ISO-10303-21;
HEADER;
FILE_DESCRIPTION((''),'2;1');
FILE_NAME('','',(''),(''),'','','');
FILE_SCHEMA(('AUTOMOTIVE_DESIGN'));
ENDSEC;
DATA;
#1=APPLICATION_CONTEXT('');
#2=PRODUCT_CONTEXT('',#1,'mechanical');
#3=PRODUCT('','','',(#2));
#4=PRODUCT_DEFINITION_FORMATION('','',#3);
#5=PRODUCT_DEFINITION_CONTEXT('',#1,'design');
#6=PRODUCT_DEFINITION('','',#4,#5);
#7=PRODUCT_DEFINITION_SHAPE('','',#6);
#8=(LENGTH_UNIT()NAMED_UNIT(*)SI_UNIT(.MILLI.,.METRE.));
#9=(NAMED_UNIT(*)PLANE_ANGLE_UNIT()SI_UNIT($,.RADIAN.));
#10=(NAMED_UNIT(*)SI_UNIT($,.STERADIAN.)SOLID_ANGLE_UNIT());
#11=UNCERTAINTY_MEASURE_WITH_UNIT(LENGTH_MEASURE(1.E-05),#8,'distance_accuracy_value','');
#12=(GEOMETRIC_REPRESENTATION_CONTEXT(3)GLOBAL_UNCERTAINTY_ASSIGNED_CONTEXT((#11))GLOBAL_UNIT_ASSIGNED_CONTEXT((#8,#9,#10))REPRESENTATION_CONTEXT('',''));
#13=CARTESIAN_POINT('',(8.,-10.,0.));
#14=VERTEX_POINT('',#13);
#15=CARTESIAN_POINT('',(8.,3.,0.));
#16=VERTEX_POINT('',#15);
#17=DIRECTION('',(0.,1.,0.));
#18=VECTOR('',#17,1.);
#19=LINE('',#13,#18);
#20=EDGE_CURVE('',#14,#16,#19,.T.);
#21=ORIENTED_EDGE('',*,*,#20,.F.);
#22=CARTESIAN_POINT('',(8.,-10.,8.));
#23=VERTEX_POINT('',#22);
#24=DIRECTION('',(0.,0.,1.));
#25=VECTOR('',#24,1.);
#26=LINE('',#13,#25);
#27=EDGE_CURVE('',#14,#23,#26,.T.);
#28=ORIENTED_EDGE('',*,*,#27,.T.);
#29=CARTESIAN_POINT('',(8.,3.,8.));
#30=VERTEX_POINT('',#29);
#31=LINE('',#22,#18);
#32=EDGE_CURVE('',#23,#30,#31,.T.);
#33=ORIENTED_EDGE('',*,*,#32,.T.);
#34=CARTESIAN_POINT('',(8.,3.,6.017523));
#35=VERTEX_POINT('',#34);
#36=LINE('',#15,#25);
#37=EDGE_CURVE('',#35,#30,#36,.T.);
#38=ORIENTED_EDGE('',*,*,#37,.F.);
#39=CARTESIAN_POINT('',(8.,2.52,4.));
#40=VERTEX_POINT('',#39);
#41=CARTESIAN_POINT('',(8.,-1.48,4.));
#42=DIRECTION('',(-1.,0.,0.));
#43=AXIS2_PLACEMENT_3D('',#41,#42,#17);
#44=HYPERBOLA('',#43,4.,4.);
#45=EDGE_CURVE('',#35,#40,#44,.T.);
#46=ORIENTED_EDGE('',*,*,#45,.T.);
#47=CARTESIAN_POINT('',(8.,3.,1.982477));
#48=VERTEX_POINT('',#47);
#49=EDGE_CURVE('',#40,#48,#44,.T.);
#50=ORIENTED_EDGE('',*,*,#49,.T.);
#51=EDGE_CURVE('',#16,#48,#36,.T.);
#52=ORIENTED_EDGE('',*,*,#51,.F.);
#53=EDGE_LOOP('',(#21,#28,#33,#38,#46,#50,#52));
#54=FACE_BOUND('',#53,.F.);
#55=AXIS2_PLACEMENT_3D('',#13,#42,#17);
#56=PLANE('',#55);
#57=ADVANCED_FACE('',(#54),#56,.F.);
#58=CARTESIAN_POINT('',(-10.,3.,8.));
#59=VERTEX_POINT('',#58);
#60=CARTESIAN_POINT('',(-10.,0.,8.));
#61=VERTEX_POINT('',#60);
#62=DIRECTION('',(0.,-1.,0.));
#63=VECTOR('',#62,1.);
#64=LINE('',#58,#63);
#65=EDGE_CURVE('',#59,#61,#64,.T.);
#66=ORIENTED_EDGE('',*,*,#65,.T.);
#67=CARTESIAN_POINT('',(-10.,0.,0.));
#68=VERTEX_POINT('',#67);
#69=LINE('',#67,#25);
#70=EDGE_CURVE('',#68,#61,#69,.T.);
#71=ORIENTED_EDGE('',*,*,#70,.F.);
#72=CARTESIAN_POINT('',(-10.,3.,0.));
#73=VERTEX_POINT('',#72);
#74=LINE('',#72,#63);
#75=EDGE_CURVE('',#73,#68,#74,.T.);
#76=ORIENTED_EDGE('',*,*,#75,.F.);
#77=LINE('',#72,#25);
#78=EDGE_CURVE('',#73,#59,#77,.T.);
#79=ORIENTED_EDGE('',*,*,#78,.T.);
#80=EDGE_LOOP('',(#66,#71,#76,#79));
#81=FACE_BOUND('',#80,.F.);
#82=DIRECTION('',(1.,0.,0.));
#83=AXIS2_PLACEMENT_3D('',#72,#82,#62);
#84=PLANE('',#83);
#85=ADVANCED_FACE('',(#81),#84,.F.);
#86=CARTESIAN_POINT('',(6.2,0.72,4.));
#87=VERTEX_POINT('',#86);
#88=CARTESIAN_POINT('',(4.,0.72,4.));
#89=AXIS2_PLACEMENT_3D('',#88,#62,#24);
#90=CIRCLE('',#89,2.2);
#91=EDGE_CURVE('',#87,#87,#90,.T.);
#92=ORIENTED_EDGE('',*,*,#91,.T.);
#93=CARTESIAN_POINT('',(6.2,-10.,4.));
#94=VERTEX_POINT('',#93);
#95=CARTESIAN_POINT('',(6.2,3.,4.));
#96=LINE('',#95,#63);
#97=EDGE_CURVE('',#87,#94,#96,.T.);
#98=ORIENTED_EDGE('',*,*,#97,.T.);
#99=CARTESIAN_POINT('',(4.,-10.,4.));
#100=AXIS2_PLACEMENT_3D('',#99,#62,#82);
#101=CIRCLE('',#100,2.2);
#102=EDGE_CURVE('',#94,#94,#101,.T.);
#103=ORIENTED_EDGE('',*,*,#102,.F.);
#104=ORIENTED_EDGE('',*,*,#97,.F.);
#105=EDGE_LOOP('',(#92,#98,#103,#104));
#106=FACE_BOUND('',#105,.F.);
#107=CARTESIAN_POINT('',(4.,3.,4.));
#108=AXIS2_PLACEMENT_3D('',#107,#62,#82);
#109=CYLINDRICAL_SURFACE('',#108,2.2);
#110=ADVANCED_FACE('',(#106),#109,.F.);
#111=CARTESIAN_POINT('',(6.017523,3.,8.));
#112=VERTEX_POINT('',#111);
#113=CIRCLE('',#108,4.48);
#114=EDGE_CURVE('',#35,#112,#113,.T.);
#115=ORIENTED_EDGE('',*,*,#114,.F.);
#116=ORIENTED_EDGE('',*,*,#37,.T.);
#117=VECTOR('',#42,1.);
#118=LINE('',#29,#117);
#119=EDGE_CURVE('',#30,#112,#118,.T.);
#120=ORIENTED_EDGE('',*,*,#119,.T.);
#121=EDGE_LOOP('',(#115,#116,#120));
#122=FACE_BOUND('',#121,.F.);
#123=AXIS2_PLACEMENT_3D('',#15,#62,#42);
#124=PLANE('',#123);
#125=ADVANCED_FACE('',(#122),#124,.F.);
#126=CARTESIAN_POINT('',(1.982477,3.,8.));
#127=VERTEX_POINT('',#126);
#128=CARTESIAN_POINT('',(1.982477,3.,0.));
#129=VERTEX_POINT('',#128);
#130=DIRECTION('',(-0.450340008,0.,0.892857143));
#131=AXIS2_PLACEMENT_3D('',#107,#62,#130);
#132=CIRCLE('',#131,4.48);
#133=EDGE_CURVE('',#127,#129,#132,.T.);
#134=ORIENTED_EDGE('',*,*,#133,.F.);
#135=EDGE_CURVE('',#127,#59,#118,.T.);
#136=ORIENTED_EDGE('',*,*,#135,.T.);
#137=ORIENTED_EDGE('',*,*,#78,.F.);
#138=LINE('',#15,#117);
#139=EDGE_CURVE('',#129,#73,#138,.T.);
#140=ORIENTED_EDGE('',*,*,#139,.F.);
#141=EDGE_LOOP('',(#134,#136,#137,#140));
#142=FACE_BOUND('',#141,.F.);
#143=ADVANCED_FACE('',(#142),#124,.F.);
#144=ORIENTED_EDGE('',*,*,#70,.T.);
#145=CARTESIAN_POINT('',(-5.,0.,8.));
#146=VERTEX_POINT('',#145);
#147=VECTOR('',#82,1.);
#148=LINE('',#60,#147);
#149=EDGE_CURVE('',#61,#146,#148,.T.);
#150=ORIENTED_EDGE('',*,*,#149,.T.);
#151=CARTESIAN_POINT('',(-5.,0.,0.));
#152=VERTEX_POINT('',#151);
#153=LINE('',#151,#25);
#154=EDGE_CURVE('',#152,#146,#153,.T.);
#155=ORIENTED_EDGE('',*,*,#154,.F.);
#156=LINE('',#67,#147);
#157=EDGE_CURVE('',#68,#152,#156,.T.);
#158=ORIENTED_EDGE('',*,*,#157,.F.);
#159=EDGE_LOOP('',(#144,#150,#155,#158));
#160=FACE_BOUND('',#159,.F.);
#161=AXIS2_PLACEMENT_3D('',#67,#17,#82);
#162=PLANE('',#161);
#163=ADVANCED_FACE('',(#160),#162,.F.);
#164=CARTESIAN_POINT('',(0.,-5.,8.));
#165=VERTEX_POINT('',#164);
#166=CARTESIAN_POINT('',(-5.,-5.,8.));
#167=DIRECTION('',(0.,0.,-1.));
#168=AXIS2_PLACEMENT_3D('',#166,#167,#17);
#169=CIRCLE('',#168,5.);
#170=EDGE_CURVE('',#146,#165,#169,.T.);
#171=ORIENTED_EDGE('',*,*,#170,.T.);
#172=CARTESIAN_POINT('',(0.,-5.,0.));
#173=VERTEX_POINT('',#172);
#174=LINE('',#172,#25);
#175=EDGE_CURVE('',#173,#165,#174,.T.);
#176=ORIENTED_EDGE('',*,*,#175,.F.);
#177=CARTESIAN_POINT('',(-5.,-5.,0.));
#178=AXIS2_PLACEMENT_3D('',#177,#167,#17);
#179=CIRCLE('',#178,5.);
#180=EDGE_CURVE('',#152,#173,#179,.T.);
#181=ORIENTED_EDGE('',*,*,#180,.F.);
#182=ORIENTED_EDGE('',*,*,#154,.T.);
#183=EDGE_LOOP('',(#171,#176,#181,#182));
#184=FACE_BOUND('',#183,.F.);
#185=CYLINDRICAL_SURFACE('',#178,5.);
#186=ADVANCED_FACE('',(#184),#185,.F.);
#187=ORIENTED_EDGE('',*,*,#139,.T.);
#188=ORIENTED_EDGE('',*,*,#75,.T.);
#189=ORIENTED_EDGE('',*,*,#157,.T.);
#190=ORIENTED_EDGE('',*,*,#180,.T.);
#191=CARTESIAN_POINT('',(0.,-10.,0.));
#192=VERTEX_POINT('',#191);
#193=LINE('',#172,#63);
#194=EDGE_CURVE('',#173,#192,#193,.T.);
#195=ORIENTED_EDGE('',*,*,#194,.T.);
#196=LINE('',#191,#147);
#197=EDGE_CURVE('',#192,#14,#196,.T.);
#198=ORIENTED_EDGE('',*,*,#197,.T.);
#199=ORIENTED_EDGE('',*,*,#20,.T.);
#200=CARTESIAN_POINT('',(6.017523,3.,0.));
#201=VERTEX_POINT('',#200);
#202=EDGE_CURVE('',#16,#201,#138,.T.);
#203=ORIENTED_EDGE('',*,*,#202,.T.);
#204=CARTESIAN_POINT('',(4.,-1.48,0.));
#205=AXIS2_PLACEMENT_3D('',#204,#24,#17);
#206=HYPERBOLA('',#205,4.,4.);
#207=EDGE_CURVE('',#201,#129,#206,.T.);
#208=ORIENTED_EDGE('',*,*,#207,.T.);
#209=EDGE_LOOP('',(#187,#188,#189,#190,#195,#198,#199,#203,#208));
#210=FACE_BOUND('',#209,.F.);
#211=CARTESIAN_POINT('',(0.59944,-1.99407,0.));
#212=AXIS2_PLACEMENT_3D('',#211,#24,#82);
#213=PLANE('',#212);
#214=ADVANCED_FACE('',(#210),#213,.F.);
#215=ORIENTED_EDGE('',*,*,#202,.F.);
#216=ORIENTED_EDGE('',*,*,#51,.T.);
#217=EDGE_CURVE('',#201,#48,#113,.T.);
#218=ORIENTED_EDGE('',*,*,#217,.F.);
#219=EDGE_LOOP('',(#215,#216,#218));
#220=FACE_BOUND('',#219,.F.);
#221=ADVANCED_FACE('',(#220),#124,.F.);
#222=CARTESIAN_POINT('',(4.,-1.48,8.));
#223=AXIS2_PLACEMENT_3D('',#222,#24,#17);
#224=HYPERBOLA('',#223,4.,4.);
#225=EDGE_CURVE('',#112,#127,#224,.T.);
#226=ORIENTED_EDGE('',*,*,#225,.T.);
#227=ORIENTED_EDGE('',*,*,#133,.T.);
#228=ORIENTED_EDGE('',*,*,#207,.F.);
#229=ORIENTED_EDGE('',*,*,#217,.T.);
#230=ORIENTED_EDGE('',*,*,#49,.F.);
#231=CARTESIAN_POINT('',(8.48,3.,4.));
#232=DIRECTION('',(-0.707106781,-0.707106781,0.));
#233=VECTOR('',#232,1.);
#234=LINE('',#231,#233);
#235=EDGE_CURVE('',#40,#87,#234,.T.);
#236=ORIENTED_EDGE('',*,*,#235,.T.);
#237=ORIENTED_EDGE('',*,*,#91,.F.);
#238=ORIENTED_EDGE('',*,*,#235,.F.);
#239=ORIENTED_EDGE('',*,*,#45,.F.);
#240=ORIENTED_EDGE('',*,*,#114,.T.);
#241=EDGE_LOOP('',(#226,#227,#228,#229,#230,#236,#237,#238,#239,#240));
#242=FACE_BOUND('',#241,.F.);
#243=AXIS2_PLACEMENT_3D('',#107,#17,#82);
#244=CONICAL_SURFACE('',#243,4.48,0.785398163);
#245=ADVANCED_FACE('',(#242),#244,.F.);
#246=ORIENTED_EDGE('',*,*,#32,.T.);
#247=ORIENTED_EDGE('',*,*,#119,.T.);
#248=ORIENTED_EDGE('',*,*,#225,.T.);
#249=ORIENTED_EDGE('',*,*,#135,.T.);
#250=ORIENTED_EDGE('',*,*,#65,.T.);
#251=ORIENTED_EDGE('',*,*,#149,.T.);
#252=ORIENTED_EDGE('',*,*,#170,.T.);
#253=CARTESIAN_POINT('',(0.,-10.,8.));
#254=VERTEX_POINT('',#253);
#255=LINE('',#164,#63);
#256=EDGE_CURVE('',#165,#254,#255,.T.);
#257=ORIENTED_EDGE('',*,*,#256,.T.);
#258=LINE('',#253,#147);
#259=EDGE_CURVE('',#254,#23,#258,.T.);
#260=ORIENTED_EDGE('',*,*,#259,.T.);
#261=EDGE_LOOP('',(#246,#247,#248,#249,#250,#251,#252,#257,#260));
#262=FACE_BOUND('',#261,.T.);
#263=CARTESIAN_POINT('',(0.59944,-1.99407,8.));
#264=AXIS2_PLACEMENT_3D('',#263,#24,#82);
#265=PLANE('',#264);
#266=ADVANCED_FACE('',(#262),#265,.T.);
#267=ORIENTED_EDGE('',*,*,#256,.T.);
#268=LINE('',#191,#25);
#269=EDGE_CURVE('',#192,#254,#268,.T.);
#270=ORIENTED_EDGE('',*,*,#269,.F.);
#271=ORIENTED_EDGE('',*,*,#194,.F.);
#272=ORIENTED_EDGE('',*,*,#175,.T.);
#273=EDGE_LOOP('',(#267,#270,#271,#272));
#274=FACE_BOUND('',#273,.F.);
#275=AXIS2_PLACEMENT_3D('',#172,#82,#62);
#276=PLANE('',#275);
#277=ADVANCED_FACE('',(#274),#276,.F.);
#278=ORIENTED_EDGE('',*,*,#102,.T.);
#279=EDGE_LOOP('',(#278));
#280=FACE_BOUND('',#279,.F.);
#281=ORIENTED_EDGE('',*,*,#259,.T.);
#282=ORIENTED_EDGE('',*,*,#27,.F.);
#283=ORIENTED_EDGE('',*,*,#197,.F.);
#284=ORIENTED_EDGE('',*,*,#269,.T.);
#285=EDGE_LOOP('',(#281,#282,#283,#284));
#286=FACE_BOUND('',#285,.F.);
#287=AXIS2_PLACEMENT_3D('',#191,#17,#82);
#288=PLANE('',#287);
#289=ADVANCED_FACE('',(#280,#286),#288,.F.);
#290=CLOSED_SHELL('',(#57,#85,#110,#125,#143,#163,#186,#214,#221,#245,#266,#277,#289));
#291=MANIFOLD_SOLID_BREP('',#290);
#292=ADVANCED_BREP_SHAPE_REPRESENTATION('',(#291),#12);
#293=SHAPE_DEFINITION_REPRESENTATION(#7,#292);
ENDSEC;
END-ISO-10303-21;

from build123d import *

# Parameters (mm, degrees)
F1_DEPTH       = 8
F3_D           = 4.4
F3_CSINK_D     = 8.96
F3_CSINK_ANGLE = 90


with BuildPart() as f1:
    # F0 (on Top) → F1 (new body)
    with BuildSketch(Plane.XY):
        with BuildLine():
            Line((-10, 0), (-5, 0))
            ThreePointArc((-5, 0), (-1.4644660941, -1.4644660941), (0, -5))
            Line((0, -5), (0, -10))
            Line((0, -10), (8, -10))
            Line((8, -10), (8, 3))
            Line((8, 3), (-10, 3))
            Line((-10, 3), (-10, 0))
        make_face()
    extrude(amount=F1_DEPTH)

    # F3 (through all)
    with Locations(Plane(origin=(0, 3, 0), x_dir=(-1, 0, 0), z_dir=(0, 1, 0))):
        with Locations((-4, 4)):
            CounterSinkHole(F3_D / 2, F3_CSINK_D / 2, counter_sink_angle=F3_CSINK_ANGLE)


solid = f1.part
